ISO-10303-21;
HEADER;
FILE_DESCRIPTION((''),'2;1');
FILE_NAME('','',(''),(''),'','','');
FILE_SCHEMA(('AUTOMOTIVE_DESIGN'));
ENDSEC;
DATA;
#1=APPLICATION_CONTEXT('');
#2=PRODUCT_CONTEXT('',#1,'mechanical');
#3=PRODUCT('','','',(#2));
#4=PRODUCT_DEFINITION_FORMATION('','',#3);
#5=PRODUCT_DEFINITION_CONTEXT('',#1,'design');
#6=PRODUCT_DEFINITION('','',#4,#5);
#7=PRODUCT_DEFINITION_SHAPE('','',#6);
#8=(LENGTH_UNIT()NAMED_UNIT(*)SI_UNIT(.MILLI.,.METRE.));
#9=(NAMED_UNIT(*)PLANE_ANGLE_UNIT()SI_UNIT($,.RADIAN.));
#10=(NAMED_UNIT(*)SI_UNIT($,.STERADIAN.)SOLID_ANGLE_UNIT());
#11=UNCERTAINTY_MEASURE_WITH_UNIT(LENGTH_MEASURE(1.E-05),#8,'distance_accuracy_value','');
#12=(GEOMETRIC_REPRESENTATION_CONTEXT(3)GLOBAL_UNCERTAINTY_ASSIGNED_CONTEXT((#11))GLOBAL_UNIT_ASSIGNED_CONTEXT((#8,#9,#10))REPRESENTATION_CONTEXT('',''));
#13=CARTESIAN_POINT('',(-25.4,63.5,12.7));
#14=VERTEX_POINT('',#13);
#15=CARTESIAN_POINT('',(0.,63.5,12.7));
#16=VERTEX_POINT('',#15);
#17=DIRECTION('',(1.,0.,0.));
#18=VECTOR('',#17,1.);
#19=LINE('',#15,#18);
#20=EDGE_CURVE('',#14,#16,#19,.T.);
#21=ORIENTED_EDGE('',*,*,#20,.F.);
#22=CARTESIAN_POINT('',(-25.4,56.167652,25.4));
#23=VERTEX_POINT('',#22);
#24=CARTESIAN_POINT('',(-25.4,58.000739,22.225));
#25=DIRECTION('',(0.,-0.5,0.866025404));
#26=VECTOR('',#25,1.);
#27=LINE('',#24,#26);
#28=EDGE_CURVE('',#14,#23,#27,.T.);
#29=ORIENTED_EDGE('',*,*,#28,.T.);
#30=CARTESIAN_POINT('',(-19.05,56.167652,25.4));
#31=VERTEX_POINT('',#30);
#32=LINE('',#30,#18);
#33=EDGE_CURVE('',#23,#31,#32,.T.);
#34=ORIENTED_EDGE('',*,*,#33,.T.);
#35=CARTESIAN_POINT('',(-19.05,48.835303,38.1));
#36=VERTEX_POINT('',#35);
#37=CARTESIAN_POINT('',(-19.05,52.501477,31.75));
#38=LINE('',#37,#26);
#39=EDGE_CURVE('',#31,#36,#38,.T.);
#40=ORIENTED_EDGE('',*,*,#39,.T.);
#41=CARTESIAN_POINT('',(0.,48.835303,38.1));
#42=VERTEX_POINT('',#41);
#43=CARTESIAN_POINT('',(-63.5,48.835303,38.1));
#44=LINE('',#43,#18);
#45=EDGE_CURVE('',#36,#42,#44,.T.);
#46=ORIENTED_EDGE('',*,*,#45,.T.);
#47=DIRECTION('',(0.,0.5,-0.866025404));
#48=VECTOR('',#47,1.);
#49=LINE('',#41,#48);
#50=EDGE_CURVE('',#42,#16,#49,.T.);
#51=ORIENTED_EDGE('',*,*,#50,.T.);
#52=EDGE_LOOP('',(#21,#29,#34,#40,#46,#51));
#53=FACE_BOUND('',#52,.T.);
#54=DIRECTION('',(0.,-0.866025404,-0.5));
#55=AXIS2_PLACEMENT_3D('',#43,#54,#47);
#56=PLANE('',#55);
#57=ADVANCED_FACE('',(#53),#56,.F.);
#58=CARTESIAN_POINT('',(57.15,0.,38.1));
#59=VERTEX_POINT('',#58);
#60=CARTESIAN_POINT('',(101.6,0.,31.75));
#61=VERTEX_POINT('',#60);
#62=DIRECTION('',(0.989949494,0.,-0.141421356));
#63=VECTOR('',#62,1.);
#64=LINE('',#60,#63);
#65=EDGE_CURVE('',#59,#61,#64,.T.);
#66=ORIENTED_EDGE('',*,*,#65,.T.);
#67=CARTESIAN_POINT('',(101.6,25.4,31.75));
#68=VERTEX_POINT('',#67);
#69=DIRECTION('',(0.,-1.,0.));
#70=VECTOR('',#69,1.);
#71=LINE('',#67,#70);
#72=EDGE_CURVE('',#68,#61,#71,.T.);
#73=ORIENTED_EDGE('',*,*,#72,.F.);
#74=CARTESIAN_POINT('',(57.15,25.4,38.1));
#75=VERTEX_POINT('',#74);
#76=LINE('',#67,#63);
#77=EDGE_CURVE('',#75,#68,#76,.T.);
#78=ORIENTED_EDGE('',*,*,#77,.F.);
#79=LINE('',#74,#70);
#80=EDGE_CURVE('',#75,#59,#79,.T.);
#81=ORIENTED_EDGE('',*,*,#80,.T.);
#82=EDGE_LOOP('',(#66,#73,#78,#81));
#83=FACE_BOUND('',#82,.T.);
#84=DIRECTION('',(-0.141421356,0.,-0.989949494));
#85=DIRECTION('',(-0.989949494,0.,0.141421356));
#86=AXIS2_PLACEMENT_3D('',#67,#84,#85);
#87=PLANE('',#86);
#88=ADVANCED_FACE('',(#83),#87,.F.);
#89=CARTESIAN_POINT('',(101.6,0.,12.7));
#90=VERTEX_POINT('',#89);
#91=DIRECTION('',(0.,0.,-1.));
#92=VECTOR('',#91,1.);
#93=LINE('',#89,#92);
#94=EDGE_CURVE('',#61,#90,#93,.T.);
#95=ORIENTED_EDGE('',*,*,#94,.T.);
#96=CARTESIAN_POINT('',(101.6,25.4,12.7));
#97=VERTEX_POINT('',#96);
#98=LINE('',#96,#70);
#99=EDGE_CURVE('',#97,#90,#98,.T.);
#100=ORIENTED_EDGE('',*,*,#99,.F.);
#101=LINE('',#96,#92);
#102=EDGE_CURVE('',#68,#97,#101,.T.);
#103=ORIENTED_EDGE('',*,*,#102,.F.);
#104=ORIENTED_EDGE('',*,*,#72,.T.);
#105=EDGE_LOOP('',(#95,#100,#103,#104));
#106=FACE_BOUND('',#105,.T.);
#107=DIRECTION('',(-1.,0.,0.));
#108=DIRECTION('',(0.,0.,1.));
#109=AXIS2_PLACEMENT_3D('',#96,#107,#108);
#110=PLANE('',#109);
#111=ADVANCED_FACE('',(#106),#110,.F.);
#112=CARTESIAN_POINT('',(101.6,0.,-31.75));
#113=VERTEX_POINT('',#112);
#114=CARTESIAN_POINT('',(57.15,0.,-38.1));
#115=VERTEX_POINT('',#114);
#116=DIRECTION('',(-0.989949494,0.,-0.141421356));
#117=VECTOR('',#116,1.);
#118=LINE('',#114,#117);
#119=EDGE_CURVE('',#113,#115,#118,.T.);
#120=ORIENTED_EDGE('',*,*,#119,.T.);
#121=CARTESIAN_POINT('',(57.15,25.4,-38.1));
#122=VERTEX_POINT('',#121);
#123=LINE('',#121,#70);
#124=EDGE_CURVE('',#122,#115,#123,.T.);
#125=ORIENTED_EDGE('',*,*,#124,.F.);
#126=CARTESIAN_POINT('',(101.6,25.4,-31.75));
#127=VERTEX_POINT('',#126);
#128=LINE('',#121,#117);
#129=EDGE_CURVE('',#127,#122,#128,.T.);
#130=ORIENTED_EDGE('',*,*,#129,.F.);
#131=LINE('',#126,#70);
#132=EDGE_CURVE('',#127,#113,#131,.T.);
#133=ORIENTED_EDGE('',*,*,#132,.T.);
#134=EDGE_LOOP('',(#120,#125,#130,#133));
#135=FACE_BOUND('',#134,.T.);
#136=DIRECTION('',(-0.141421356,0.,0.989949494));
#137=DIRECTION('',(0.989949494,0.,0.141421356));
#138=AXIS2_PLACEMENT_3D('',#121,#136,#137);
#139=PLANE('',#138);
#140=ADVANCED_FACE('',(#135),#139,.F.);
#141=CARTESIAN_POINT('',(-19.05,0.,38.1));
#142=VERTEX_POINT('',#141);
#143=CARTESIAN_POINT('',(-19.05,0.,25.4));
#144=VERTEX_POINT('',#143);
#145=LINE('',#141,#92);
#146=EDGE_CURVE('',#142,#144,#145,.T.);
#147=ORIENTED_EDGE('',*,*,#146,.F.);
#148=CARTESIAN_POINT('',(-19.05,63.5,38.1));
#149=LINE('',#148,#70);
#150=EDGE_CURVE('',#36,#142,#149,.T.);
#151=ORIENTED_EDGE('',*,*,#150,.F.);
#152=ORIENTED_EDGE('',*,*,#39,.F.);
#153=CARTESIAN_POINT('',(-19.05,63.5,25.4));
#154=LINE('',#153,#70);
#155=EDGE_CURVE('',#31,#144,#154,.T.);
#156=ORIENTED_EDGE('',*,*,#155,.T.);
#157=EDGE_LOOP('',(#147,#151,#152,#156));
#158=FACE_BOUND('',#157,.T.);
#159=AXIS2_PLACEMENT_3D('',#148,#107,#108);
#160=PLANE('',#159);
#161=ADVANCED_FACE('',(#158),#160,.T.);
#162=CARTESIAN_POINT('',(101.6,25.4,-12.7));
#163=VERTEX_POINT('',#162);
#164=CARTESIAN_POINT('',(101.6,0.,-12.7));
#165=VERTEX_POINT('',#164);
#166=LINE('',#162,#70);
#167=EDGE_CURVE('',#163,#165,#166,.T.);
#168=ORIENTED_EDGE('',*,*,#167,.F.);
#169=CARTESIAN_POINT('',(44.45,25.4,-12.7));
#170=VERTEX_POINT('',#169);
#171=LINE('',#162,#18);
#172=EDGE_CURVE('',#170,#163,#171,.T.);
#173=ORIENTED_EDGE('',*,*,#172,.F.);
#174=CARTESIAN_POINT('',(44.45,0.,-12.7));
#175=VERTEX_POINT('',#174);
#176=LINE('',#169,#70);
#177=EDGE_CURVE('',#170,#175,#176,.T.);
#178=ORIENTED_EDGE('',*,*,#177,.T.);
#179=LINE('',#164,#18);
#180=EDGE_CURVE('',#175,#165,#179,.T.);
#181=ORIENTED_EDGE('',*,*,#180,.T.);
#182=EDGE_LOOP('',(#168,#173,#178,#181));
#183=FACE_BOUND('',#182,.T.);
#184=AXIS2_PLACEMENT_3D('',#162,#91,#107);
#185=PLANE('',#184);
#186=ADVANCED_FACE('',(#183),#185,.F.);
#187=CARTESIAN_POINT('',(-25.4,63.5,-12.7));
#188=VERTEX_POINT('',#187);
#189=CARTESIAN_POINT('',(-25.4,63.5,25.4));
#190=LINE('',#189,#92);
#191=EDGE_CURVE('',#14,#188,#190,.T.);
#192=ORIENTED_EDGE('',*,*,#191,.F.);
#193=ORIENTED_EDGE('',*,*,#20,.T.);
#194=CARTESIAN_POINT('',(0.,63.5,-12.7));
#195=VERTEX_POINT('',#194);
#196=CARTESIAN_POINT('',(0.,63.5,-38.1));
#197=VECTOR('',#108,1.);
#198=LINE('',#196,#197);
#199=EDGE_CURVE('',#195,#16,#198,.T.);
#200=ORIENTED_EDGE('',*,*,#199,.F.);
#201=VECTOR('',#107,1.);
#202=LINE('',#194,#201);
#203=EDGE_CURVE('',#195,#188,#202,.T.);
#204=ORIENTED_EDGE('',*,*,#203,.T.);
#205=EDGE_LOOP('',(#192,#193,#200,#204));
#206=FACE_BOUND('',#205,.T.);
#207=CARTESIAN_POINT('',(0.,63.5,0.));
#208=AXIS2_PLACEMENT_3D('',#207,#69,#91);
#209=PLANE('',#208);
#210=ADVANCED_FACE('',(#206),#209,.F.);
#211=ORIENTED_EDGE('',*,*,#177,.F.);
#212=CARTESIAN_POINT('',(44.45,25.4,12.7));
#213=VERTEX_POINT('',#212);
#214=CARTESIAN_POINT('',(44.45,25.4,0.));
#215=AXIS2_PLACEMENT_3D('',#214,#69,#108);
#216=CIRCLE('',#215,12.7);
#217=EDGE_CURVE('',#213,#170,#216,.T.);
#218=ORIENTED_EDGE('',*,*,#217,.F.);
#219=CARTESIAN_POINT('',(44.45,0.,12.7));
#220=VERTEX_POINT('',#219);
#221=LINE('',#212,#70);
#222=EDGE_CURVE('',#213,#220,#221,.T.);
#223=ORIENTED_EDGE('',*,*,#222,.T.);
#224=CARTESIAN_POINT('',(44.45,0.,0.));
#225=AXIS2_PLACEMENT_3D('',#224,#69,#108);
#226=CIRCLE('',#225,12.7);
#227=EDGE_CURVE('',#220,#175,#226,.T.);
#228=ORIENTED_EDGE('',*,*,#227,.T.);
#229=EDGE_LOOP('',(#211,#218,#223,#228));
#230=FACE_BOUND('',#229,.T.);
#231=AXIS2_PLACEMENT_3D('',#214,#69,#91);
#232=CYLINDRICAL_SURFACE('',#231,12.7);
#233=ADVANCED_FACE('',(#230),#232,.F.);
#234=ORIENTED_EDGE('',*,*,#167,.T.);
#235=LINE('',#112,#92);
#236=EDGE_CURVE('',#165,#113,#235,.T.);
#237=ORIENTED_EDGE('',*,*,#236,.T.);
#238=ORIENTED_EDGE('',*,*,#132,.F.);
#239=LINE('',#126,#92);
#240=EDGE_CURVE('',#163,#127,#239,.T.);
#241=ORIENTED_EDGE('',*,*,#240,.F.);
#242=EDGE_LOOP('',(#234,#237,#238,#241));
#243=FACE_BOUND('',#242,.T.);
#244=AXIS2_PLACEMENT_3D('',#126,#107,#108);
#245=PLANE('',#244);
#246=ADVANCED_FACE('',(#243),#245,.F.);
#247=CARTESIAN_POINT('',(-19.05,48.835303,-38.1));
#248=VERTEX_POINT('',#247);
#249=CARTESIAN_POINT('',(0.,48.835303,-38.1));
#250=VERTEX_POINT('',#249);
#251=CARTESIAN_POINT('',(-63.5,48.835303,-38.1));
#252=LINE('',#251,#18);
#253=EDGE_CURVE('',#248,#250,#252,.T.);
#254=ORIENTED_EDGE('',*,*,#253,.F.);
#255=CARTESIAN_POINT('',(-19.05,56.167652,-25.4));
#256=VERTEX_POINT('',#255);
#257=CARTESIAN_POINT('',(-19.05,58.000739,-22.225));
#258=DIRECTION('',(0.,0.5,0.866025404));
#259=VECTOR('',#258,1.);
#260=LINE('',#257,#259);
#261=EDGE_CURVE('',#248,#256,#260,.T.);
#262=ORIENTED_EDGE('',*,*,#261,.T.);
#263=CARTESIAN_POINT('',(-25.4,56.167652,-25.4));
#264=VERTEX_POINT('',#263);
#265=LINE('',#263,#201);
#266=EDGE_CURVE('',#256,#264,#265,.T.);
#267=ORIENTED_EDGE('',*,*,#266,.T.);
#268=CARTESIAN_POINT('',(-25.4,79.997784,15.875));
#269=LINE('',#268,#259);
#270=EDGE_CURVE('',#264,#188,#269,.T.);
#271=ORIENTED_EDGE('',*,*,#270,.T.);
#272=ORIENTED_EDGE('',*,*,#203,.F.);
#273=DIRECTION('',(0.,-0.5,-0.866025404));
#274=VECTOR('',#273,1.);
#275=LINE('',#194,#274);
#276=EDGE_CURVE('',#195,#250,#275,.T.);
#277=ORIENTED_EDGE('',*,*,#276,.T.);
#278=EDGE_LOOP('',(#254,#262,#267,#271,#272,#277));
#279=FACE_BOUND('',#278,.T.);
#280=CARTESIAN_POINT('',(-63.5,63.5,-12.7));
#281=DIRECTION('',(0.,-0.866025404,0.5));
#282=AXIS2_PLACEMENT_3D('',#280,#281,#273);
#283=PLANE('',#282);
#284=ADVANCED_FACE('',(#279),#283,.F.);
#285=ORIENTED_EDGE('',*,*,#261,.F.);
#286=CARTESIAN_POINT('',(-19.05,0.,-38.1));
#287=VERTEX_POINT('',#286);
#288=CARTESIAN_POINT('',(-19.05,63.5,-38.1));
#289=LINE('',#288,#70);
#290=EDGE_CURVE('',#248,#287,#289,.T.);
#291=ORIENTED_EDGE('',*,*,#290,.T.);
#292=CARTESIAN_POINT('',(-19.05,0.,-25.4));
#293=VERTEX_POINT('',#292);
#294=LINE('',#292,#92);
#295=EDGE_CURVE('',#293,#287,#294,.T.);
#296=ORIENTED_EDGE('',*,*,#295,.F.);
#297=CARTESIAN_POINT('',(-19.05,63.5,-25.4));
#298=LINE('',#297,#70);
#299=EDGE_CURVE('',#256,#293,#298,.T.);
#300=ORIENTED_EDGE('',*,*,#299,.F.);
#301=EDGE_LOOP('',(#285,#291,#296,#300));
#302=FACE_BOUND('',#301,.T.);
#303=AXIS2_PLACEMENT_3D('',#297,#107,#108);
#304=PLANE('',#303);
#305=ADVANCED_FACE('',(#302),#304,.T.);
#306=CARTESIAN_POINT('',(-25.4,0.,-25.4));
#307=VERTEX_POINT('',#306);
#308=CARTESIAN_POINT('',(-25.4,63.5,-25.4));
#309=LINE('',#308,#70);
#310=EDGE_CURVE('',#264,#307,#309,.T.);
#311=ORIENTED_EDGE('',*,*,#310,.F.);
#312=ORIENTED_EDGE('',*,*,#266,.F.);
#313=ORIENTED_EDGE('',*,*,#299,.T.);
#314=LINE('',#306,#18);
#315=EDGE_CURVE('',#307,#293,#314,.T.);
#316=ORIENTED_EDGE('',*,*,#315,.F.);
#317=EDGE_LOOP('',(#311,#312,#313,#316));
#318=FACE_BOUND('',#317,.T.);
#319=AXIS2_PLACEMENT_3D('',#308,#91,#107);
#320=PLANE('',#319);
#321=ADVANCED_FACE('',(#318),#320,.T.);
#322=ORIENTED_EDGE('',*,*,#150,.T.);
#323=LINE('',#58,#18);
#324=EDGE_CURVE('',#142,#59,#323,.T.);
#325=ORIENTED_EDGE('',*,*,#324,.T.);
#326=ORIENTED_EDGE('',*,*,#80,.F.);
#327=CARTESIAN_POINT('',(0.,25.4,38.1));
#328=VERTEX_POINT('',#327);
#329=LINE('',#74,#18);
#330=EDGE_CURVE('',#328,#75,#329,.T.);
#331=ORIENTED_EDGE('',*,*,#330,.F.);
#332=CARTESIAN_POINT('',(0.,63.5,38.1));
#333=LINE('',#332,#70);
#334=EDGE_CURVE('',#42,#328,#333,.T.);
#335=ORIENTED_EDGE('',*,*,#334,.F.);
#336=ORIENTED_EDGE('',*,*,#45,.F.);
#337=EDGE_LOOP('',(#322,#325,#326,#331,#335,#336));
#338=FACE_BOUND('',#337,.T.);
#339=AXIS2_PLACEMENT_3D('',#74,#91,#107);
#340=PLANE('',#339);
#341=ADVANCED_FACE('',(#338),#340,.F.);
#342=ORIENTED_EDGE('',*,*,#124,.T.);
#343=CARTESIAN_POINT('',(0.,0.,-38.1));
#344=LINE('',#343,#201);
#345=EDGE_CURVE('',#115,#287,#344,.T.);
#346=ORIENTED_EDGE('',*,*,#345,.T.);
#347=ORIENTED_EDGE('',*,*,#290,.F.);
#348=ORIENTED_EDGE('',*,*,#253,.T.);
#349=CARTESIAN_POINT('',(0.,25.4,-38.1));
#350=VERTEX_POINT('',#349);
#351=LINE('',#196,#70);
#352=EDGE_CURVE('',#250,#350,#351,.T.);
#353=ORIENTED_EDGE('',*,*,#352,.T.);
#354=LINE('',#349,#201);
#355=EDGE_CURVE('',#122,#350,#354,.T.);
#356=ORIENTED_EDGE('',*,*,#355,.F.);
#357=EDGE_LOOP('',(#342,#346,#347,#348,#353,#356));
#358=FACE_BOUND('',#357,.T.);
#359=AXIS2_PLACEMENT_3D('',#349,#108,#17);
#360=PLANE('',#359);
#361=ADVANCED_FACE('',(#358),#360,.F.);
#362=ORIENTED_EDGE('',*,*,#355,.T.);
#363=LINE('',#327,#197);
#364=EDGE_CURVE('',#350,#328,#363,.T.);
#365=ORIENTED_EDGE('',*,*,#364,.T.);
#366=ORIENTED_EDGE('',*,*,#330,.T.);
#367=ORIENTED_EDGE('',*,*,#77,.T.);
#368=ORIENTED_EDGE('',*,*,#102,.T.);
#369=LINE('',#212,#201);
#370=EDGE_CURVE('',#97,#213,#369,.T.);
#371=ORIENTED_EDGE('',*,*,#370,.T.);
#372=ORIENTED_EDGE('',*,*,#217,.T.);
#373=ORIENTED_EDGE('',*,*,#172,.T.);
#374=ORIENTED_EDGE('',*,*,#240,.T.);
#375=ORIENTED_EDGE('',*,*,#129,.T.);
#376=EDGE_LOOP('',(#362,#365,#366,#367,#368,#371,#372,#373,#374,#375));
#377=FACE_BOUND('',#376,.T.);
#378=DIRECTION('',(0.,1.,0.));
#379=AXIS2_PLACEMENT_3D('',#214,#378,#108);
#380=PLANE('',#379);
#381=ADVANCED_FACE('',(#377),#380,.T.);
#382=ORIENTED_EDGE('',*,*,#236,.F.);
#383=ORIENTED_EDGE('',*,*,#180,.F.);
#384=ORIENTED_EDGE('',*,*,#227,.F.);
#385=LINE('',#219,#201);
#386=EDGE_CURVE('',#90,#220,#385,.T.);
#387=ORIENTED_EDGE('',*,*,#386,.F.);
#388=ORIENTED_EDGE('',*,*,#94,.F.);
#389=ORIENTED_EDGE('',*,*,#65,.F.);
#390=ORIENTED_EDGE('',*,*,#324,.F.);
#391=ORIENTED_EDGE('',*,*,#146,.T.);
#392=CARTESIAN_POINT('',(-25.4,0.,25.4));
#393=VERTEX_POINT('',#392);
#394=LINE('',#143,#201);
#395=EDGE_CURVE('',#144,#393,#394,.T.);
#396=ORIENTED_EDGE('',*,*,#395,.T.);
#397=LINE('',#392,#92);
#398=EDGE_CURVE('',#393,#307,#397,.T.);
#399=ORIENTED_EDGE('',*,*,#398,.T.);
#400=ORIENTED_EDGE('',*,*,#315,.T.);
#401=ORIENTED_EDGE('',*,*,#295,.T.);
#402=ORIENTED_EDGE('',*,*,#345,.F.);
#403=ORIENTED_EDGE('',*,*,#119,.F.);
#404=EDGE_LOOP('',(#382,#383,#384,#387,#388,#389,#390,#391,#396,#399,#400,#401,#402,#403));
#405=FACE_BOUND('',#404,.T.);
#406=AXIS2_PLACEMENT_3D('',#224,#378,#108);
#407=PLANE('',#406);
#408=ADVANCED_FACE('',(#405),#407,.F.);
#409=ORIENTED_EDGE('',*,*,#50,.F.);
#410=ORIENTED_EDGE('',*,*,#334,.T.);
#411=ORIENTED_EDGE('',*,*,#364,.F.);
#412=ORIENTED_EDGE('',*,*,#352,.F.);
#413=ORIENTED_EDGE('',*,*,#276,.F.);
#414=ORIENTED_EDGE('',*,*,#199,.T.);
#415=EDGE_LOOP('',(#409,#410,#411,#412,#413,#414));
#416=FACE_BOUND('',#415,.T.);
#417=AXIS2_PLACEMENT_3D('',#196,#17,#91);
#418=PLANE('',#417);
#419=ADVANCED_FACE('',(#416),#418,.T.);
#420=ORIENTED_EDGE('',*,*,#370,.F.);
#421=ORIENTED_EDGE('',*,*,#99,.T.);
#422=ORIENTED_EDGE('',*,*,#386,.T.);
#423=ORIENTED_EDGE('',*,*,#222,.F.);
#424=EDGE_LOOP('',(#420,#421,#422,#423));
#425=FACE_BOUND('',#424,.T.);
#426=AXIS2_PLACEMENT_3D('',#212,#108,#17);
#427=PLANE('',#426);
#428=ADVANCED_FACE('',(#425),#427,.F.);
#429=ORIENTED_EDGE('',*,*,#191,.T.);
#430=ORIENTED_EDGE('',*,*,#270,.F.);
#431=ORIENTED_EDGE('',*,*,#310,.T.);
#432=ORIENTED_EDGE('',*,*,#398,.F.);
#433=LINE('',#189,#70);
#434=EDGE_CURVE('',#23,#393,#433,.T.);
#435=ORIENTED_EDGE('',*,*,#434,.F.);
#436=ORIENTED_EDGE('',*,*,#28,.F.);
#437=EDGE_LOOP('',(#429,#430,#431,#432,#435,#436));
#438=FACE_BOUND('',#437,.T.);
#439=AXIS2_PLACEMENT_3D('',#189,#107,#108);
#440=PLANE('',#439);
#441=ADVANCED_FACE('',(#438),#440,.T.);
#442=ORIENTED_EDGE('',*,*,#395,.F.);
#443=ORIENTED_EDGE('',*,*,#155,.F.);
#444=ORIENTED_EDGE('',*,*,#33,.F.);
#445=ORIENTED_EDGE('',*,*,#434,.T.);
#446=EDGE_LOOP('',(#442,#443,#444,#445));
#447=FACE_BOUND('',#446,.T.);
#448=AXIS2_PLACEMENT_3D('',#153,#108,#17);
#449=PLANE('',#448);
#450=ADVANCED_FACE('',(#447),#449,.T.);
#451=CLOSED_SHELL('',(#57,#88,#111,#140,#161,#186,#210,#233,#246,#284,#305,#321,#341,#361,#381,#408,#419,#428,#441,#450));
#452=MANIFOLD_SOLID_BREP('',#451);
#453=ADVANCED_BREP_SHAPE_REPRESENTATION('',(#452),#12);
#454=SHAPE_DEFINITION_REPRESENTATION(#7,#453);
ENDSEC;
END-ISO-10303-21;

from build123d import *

# Parameters (mm, degrees)
EXTRUDE_1_DEPTH     = 25.4
EXTRUDE_2_DEPTH     = 63.5
CUT_EXTRUDE_1_DEPTH = 63.5


with BuildPart() as part:
    # 草图2 → 凸台-拉伸1 (new body)
    with BuildSketch(Plane(origin=(0, 0, 0), x_dir=(1, 0, 0), z_dir=(0, 1, 0))):
        with BuildLine():
            Line((0, 0), (0, 38.1))
            Line((0, 38.1), (57.15, 38.1))
            Line((57.15, 38.1), (101.6, 31.75))
            Line((101.6, 31.75), (101.6, 12.7))
            Line((101.6, 12.7), (44.45, 12.7))
            ThreePointArc((44.45, 12.7), (31.75, 0), (44.45, -12.7))
            Line((44.45, -12.7), (101.6, -12.7))
            Line((101.6, -12.7), (101.6, -31.75))
            Line((101.6, -31.75), (57.15, -38.1))
            Line((57.15, -38.1), (0, -38.1))
            Line((0, -38.1), (0, 0))
        make_face()
    extrude(amount=EXTRUDE_1_DEPTH)

    # 草图4 → 凸台-拉伸2 (add)
    with BuildSketch(Plane(origin=(0, 0, 0), x_dir=(-1, 0, 0), z_dir=(0, -1, 0))):
        Polygon((0, 38.1), (0, -38.1), (19.05, -38.1), (19.05, -25.4), (25.4, -25.4), (25.4, 25.4), (19.05, 25.4), (19.05, 38.1), align=None)
    extrude(amount=-EXTRUDE_2_DEPTH)

    # 草图5 → 切除-拉伸1 (cut)
    with BuildSketch(Plane(origin=(0, 0, 0), x_dir=(0, 0, -1), z_dir=(1, 0, 0))):
        Polygon((-38.1, 63.5), (-38.1, 48.835303163), (-12.7, 63.5), align=None)
        Polygon((38.1, 63.5), (12.7, 63.5), (38.1, 48.835303163), align=None)
    extrude(amount=-CUT_EXTRUDE_1_DEPTH, mode=Mode.SUBTRACT)


solid = part.part
